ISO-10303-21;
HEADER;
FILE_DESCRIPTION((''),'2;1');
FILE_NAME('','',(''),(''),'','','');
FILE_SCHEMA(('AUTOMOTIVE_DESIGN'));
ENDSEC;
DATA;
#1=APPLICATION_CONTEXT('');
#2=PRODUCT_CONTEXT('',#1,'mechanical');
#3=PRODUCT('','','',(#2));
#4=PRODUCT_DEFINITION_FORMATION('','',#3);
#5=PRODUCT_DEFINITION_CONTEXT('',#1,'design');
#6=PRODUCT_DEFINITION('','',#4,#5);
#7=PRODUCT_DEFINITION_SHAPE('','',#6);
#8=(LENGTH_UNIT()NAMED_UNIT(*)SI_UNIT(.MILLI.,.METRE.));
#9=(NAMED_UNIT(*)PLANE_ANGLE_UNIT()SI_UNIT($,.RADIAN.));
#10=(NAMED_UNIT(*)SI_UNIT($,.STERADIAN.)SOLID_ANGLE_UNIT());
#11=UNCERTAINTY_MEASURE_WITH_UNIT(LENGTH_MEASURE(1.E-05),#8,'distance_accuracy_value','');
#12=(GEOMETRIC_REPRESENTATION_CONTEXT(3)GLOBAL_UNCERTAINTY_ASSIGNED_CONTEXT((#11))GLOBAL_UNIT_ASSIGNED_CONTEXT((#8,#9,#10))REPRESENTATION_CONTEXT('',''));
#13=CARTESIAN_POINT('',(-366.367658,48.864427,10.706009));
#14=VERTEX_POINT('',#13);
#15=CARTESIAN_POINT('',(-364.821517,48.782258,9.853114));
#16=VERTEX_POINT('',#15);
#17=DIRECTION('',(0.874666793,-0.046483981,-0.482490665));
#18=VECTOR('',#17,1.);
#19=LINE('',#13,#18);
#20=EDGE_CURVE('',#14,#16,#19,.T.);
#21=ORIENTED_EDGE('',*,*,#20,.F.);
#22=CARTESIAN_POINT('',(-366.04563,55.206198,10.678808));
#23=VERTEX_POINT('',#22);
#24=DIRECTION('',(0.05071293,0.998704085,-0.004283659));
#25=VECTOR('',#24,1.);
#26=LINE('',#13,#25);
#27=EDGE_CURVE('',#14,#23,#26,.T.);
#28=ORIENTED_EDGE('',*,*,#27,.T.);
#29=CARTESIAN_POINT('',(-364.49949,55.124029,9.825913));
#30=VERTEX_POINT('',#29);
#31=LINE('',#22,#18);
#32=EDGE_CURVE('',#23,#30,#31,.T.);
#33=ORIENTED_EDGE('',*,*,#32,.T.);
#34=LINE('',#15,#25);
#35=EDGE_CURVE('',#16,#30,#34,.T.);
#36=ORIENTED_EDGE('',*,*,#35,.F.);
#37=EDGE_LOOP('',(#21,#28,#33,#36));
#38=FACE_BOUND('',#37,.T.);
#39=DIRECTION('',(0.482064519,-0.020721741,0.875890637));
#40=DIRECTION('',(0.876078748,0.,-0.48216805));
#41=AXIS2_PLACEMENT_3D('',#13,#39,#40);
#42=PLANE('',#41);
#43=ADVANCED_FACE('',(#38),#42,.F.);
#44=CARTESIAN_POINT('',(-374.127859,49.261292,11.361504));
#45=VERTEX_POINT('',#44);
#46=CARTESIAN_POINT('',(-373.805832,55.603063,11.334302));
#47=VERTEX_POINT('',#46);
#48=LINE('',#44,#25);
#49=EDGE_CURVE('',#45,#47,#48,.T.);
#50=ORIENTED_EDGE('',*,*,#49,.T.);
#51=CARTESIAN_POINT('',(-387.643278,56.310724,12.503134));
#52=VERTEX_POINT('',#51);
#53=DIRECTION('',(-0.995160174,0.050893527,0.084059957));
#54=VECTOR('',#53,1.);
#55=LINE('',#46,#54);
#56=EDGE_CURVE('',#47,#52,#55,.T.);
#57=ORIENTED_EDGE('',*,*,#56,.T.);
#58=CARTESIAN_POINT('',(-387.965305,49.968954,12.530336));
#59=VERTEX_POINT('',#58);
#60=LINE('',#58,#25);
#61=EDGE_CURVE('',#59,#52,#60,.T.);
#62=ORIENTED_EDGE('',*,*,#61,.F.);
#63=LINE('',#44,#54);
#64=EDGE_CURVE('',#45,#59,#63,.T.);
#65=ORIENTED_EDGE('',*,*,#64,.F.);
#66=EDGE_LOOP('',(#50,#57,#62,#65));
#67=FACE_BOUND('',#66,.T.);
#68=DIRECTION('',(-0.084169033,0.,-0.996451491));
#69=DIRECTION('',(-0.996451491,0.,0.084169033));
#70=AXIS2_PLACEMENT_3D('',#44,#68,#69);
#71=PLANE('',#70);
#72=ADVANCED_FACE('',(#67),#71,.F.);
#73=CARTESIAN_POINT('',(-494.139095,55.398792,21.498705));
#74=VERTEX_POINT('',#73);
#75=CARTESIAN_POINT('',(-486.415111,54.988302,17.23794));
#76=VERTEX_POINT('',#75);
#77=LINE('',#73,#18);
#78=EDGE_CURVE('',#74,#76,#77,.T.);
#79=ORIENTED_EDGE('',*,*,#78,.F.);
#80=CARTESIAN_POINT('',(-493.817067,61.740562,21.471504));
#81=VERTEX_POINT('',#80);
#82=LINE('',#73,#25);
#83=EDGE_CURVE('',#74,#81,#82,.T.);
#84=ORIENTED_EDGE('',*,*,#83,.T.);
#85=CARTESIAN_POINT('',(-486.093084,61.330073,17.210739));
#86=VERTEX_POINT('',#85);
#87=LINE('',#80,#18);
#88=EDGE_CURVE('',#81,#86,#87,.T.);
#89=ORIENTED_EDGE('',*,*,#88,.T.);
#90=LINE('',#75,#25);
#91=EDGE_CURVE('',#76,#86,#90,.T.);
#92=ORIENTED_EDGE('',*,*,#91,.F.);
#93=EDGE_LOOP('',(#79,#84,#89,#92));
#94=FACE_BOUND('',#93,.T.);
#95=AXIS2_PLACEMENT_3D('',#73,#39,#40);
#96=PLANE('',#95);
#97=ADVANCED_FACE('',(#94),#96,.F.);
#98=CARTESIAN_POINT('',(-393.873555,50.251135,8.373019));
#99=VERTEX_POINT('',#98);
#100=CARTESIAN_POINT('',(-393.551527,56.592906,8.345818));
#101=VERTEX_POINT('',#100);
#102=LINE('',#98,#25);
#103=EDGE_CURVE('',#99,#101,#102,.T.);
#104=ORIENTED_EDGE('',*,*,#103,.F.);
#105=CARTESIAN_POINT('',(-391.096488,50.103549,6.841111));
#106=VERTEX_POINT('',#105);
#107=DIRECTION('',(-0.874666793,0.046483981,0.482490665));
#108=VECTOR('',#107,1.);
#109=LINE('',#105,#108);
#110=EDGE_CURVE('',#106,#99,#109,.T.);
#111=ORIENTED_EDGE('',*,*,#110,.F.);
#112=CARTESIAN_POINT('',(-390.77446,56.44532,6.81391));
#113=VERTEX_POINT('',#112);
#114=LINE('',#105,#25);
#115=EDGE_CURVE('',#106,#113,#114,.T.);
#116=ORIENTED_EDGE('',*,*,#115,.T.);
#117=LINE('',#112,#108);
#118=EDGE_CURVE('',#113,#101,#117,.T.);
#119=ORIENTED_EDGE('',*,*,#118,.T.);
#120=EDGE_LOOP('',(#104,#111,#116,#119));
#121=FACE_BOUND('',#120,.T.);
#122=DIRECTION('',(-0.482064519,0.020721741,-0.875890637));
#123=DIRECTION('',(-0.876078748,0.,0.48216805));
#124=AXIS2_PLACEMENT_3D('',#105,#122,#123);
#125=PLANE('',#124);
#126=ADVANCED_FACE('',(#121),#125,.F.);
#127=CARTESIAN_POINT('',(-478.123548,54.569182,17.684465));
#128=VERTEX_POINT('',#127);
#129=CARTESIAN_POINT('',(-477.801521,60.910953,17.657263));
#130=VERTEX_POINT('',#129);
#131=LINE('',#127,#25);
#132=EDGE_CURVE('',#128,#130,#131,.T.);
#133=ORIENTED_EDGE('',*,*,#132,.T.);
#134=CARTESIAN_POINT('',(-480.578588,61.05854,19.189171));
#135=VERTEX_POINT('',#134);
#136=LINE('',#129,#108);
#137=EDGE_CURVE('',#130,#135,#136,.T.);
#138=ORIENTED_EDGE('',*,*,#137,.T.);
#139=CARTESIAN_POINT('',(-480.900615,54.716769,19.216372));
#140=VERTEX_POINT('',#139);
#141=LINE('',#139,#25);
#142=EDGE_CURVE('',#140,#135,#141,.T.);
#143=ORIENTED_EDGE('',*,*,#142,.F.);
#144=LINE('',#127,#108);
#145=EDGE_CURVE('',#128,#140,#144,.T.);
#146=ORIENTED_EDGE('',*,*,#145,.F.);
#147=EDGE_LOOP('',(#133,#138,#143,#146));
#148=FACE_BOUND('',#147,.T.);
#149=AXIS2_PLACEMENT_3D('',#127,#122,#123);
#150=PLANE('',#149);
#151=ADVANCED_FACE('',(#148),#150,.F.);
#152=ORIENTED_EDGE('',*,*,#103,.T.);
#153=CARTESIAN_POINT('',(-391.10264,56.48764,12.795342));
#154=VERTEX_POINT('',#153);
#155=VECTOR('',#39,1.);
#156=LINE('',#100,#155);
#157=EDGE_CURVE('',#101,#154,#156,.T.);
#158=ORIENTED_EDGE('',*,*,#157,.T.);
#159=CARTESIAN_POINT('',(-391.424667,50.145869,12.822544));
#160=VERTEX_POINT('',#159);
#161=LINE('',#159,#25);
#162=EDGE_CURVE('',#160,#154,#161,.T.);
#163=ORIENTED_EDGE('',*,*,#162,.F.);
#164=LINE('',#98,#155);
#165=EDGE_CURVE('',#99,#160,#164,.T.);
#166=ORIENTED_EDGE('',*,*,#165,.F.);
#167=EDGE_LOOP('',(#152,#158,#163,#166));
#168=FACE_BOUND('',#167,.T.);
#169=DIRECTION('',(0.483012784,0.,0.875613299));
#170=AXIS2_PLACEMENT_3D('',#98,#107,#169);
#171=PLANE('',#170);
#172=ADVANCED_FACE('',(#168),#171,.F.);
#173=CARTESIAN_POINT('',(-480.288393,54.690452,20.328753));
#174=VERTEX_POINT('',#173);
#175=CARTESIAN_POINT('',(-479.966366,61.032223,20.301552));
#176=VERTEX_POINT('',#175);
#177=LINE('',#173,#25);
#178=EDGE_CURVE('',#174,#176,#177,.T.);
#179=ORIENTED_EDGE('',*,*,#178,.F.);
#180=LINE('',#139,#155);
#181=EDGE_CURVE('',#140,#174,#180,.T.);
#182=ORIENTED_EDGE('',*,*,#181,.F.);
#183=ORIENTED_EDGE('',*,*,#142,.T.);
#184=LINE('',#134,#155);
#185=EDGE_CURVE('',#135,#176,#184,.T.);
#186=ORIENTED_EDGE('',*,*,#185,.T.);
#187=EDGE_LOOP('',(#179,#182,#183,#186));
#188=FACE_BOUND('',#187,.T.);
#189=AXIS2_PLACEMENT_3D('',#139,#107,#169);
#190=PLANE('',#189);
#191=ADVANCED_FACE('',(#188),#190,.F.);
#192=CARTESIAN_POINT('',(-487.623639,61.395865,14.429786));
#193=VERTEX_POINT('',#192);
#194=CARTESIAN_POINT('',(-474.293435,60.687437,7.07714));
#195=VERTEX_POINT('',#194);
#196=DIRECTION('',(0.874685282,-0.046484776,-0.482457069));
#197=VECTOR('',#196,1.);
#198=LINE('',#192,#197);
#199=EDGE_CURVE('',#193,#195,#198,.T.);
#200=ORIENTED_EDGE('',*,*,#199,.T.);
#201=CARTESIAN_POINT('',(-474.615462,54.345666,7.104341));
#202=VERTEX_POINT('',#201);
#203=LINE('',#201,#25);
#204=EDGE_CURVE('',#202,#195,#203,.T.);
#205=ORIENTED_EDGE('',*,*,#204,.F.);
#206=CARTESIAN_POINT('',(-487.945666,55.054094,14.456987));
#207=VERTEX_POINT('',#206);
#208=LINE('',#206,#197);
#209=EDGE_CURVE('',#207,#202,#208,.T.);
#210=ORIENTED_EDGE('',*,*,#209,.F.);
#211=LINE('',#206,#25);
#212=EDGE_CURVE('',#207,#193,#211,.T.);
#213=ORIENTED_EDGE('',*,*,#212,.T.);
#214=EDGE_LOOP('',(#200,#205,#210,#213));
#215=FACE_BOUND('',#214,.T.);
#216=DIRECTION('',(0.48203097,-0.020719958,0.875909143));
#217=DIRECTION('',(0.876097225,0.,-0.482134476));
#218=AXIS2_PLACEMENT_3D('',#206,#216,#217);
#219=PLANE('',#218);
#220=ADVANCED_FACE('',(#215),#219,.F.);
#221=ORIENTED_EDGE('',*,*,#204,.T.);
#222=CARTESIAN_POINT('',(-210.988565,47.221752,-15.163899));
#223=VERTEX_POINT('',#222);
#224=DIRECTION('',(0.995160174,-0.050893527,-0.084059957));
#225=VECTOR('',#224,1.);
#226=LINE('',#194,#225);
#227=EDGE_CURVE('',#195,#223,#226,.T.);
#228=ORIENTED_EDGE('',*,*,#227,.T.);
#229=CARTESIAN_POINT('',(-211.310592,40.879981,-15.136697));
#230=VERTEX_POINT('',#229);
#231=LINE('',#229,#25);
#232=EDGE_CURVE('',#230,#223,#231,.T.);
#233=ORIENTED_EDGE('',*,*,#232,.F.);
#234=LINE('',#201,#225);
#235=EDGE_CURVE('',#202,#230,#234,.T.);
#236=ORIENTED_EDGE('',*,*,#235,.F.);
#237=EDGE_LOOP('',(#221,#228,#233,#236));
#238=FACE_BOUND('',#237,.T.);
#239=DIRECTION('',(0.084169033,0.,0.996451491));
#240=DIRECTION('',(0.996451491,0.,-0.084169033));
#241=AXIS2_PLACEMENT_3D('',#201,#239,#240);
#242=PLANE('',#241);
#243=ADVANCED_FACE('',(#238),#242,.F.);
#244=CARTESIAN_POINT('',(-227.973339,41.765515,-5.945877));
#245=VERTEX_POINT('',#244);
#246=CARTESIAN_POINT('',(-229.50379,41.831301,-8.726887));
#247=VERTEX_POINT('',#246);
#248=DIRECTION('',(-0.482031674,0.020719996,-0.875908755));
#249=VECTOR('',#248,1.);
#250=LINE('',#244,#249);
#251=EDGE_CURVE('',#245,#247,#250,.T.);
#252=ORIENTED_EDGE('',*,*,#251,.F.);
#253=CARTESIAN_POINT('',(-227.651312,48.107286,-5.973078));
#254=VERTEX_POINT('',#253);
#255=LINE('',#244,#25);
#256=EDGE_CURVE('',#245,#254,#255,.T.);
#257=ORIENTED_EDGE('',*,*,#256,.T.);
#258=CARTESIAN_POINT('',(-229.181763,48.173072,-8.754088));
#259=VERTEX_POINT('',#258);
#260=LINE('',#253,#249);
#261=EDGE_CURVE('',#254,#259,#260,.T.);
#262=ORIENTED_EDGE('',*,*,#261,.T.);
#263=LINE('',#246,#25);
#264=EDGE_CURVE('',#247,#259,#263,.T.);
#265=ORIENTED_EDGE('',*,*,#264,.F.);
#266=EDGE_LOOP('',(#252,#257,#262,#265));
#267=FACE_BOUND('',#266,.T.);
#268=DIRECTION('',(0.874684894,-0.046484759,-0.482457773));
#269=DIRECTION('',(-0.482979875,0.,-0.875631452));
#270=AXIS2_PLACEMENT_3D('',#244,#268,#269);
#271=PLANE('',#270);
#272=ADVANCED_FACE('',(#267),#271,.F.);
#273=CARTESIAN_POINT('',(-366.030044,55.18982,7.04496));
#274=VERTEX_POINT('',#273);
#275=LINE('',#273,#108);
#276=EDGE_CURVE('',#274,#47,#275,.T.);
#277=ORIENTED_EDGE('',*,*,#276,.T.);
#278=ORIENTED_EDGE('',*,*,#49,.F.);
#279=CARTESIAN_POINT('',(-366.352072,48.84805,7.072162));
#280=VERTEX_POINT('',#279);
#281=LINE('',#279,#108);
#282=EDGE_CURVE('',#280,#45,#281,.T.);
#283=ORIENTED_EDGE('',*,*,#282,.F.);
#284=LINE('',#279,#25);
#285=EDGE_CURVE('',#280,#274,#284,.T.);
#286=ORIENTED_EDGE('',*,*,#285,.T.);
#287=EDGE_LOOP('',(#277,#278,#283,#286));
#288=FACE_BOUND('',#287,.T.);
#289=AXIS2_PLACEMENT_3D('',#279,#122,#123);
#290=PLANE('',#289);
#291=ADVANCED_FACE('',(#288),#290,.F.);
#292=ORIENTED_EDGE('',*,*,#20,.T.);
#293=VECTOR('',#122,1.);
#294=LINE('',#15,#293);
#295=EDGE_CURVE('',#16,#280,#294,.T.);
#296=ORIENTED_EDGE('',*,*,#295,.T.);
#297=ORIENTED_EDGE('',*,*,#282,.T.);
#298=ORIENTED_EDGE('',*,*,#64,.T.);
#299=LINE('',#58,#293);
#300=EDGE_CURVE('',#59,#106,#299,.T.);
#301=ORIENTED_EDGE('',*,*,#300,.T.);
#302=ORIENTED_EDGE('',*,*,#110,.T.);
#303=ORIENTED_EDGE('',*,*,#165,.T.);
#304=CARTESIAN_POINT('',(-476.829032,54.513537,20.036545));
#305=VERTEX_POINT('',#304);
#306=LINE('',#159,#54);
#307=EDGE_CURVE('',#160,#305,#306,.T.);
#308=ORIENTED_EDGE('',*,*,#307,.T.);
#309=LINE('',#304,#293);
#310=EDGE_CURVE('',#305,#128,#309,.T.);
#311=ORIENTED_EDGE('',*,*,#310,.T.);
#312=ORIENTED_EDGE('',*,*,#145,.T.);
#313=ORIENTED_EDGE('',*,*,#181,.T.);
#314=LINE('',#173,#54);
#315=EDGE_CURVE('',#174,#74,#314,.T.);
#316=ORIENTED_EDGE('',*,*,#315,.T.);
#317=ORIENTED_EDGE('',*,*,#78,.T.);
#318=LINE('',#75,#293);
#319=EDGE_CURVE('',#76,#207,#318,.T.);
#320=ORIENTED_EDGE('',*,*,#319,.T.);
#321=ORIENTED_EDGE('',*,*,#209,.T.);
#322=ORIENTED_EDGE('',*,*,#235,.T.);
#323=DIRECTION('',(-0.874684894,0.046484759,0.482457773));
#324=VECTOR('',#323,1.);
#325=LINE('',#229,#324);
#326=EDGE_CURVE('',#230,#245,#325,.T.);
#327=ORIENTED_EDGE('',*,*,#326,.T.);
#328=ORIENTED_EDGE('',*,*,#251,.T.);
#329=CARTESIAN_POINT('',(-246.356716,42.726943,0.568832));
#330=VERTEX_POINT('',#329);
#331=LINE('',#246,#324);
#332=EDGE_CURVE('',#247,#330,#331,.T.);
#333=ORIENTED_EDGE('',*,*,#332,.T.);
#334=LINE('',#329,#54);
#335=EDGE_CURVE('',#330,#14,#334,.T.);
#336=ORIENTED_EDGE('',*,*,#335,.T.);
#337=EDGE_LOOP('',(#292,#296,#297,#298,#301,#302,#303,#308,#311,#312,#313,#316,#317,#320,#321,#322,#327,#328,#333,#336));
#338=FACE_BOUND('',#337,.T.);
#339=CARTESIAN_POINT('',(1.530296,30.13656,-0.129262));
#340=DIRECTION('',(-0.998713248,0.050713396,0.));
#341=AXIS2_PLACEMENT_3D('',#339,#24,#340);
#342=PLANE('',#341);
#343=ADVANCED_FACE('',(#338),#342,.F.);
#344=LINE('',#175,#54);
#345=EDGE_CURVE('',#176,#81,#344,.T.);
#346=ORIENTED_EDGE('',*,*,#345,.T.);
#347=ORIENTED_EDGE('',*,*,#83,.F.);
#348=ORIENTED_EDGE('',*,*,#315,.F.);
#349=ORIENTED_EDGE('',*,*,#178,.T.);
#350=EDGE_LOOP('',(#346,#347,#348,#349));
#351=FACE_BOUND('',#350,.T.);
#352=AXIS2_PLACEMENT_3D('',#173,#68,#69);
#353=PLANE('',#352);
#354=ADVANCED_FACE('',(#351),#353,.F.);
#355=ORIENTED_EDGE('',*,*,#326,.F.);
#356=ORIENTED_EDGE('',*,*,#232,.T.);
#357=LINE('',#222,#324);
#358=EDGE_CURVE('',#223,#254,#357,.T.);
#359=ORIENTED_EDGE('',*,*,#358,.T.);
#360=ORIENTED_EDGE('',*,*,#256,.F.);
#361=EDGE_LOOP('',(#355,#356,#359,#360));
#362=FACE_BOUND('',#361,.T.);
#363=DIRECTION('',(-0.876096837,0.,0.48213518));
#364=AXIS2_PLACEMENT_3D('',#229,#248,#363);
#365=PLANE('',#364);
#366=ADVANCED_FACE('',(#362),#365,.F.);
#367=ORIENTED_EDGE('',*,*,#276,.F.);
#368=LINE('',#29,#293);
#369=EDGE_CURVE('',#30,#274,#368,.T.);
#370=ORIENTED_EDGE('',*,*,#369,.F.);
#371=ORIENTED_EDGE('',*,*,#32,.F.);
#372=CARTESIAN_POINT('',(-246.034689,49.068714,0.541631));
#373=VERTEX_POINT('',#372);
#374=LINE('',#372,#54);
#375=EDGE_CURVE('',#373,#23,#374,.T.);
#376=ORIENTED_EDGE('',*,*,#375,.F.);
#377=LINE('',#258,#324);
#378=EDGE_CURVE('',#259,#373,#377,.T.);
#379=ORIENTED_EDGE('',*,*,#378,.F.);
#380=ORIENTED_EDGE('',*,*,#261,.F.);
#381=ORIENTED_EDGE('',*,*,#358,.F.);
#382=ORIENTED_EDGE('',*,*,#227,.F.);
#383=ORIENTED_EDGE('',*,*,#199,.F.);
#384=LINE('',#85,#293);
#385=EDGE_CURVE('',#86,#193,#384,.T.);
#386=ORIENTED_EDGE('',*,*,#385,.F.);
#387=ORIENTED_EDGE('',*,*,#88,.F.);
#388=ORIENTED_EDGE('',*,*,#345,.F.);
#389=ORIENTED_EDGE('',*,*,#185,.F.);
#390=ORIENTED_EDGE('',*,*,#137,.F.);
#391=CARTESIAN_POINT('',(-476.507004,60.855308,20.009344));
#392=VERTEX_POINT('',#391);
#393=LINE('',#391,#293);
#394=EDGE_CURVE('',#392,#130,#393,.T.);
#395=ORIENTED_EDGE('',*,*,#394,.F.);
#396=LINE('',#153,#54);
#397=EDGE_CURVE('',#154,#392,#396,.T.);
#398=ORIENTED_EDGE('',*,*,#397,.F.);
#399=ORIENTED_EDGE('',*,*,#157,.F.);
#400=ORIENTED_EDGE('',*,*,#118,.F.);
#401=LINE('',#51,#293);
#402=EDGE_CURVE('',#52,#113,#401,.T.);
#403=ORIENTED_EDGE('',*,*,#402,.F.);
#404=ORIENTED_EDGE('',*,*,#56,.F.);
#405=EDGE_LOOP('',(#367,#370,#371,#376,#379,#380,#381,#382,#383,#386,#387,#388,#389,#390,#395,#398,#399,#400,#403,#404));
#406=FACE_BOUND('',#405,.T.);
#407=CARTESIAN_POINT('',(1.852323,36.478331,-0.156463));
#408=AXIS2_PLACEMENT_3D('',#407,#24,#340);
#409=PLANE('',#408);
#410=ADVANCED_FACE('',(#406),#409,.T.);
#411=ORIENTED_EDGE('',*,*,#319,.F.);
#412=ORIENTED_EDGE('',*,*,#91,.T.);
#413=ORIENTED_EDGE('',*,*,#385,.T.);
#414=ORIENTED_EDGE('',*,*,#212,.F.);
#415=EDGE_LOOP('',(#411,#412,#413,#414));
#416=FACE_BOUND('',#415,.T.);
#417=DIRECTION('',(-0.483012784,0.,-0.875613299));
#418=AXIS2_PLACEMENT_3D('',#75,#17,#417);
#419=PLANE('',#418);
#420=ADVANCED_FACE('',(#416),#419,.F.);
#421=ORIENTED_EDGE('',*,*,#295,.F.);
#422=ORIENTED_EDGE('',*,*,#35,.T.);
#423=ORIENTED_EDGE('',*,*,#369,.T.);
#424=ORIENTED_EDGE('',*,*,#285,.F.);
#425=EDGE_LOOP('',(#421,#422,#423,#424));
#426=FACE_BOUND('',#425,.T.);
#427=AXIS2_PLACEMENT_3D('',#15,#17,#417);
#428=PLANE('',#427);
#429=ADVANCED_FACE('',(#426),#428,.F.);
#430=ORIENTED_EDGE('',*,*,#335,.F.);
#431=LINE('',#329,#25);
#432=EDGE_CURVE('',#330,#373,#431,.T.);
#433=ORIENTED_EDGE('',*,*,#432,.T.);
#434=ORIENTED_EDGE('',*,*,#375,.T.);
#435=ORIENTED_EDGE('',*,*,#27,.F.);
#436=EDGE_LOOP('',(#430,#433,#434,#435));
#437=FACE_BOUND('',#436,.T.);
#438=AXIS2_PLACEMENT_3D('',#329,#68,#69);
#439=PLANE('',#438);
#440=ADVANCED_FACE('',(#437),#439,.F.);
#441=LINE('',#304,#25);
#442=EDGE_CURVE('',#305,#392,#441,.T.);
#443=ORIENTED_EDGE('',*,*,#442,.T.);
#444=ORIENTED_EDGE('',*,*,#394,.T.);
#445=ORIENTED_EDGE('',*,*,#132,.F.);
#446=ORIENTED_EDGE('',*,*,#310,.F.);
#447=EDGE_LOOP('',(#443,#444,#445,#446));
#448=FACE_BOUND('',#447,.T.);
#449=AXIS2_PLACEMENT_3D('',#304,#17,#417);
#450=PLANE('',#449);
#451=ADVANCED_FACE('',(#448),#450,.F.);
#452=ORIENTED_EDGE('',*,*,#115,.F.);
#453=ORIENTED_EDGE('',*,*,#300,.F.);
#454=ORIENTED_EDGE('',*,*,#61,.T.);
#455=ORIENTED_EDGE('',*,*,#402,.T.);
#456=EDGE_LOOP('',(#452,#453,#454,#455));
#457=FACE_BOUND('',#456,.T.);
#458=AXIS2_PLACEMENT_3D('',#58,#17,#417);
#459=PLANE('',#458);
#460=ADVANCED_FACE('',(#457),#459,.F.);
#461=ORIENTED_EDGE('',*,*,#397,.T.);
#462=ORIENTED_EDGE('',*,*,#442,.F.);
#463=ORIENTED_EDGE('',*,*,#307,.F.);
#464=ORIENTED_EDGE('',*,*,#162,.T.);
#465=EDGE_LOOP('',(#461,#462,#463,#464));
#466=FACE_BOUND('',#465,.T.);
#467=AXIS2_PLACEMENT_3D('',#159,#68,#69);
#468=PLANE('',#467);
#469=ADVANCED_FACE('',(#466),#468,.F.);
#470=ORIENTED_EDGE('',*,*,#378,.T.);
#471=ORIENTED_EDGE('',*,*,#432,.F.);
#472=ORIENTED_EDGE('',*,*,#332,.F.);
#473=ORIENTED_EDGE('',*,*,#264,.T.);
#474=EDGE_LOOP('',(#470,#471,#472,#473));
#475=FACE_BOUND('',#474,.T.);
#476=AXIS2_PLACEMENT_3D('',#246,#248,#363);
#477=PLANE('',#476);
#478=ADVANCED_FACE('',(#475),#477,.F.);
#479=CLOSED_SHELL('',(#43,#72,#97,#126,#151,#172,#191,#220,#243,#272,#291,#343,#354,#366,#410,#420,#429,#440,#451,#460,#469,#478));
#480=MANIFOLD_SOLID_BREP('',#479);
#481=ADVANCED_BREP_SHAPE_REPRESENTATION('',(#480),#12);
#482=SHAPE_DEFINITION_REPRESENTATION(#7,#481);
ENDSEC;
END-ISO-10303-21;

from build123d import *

# Parameters (mm, degrees)
BOSS_EXTRUDE2_DEPTH = 6.35


with BuildPart() as part:
    # Sketch2 → Boss-Extrude2 (new body)
    with BuildSketch(Plane(origin=(1.858094024, 36.591203, 26.227231961), x_dir=(0.9987103313600205, -0.05070190697545108, 0.002643986348489127), z_dir=(-0.05071293041421149, -0.9987040847793643, 0.004283658928477578))):
        Polygon((-496.323599349, -3.44349878), (-488.600030108, -7.724739312), (-490.139299605, -10.501657463), (-476.80980909, -17.889639796), (-213.220584146, -40.827895634), (-229.882439851, -31.592904325), (-231.421605069, -34.369880276), (-248.273629591, -25.029486098), (-368.414176113, -14.574526897), (-366.868118193, -15.431520034), (-368.40738769, -18.208438185), (-376.182758512, -13.898483593), (-390.035148211, -12.693010725), (-393.18415868, -18.373981046), (-395.961076831, -16.834711549), (-393.498245636, -12.391642508), (-478.994842442, -4.951494637), (-480.296729515, -7.300163178), (-483.073647665, -5.760893681), (-482.457939867, -4.65012642), align=None)
    extrude(amount=BOSS_EXTRUDE2_DEPTH)


solid = part.part
